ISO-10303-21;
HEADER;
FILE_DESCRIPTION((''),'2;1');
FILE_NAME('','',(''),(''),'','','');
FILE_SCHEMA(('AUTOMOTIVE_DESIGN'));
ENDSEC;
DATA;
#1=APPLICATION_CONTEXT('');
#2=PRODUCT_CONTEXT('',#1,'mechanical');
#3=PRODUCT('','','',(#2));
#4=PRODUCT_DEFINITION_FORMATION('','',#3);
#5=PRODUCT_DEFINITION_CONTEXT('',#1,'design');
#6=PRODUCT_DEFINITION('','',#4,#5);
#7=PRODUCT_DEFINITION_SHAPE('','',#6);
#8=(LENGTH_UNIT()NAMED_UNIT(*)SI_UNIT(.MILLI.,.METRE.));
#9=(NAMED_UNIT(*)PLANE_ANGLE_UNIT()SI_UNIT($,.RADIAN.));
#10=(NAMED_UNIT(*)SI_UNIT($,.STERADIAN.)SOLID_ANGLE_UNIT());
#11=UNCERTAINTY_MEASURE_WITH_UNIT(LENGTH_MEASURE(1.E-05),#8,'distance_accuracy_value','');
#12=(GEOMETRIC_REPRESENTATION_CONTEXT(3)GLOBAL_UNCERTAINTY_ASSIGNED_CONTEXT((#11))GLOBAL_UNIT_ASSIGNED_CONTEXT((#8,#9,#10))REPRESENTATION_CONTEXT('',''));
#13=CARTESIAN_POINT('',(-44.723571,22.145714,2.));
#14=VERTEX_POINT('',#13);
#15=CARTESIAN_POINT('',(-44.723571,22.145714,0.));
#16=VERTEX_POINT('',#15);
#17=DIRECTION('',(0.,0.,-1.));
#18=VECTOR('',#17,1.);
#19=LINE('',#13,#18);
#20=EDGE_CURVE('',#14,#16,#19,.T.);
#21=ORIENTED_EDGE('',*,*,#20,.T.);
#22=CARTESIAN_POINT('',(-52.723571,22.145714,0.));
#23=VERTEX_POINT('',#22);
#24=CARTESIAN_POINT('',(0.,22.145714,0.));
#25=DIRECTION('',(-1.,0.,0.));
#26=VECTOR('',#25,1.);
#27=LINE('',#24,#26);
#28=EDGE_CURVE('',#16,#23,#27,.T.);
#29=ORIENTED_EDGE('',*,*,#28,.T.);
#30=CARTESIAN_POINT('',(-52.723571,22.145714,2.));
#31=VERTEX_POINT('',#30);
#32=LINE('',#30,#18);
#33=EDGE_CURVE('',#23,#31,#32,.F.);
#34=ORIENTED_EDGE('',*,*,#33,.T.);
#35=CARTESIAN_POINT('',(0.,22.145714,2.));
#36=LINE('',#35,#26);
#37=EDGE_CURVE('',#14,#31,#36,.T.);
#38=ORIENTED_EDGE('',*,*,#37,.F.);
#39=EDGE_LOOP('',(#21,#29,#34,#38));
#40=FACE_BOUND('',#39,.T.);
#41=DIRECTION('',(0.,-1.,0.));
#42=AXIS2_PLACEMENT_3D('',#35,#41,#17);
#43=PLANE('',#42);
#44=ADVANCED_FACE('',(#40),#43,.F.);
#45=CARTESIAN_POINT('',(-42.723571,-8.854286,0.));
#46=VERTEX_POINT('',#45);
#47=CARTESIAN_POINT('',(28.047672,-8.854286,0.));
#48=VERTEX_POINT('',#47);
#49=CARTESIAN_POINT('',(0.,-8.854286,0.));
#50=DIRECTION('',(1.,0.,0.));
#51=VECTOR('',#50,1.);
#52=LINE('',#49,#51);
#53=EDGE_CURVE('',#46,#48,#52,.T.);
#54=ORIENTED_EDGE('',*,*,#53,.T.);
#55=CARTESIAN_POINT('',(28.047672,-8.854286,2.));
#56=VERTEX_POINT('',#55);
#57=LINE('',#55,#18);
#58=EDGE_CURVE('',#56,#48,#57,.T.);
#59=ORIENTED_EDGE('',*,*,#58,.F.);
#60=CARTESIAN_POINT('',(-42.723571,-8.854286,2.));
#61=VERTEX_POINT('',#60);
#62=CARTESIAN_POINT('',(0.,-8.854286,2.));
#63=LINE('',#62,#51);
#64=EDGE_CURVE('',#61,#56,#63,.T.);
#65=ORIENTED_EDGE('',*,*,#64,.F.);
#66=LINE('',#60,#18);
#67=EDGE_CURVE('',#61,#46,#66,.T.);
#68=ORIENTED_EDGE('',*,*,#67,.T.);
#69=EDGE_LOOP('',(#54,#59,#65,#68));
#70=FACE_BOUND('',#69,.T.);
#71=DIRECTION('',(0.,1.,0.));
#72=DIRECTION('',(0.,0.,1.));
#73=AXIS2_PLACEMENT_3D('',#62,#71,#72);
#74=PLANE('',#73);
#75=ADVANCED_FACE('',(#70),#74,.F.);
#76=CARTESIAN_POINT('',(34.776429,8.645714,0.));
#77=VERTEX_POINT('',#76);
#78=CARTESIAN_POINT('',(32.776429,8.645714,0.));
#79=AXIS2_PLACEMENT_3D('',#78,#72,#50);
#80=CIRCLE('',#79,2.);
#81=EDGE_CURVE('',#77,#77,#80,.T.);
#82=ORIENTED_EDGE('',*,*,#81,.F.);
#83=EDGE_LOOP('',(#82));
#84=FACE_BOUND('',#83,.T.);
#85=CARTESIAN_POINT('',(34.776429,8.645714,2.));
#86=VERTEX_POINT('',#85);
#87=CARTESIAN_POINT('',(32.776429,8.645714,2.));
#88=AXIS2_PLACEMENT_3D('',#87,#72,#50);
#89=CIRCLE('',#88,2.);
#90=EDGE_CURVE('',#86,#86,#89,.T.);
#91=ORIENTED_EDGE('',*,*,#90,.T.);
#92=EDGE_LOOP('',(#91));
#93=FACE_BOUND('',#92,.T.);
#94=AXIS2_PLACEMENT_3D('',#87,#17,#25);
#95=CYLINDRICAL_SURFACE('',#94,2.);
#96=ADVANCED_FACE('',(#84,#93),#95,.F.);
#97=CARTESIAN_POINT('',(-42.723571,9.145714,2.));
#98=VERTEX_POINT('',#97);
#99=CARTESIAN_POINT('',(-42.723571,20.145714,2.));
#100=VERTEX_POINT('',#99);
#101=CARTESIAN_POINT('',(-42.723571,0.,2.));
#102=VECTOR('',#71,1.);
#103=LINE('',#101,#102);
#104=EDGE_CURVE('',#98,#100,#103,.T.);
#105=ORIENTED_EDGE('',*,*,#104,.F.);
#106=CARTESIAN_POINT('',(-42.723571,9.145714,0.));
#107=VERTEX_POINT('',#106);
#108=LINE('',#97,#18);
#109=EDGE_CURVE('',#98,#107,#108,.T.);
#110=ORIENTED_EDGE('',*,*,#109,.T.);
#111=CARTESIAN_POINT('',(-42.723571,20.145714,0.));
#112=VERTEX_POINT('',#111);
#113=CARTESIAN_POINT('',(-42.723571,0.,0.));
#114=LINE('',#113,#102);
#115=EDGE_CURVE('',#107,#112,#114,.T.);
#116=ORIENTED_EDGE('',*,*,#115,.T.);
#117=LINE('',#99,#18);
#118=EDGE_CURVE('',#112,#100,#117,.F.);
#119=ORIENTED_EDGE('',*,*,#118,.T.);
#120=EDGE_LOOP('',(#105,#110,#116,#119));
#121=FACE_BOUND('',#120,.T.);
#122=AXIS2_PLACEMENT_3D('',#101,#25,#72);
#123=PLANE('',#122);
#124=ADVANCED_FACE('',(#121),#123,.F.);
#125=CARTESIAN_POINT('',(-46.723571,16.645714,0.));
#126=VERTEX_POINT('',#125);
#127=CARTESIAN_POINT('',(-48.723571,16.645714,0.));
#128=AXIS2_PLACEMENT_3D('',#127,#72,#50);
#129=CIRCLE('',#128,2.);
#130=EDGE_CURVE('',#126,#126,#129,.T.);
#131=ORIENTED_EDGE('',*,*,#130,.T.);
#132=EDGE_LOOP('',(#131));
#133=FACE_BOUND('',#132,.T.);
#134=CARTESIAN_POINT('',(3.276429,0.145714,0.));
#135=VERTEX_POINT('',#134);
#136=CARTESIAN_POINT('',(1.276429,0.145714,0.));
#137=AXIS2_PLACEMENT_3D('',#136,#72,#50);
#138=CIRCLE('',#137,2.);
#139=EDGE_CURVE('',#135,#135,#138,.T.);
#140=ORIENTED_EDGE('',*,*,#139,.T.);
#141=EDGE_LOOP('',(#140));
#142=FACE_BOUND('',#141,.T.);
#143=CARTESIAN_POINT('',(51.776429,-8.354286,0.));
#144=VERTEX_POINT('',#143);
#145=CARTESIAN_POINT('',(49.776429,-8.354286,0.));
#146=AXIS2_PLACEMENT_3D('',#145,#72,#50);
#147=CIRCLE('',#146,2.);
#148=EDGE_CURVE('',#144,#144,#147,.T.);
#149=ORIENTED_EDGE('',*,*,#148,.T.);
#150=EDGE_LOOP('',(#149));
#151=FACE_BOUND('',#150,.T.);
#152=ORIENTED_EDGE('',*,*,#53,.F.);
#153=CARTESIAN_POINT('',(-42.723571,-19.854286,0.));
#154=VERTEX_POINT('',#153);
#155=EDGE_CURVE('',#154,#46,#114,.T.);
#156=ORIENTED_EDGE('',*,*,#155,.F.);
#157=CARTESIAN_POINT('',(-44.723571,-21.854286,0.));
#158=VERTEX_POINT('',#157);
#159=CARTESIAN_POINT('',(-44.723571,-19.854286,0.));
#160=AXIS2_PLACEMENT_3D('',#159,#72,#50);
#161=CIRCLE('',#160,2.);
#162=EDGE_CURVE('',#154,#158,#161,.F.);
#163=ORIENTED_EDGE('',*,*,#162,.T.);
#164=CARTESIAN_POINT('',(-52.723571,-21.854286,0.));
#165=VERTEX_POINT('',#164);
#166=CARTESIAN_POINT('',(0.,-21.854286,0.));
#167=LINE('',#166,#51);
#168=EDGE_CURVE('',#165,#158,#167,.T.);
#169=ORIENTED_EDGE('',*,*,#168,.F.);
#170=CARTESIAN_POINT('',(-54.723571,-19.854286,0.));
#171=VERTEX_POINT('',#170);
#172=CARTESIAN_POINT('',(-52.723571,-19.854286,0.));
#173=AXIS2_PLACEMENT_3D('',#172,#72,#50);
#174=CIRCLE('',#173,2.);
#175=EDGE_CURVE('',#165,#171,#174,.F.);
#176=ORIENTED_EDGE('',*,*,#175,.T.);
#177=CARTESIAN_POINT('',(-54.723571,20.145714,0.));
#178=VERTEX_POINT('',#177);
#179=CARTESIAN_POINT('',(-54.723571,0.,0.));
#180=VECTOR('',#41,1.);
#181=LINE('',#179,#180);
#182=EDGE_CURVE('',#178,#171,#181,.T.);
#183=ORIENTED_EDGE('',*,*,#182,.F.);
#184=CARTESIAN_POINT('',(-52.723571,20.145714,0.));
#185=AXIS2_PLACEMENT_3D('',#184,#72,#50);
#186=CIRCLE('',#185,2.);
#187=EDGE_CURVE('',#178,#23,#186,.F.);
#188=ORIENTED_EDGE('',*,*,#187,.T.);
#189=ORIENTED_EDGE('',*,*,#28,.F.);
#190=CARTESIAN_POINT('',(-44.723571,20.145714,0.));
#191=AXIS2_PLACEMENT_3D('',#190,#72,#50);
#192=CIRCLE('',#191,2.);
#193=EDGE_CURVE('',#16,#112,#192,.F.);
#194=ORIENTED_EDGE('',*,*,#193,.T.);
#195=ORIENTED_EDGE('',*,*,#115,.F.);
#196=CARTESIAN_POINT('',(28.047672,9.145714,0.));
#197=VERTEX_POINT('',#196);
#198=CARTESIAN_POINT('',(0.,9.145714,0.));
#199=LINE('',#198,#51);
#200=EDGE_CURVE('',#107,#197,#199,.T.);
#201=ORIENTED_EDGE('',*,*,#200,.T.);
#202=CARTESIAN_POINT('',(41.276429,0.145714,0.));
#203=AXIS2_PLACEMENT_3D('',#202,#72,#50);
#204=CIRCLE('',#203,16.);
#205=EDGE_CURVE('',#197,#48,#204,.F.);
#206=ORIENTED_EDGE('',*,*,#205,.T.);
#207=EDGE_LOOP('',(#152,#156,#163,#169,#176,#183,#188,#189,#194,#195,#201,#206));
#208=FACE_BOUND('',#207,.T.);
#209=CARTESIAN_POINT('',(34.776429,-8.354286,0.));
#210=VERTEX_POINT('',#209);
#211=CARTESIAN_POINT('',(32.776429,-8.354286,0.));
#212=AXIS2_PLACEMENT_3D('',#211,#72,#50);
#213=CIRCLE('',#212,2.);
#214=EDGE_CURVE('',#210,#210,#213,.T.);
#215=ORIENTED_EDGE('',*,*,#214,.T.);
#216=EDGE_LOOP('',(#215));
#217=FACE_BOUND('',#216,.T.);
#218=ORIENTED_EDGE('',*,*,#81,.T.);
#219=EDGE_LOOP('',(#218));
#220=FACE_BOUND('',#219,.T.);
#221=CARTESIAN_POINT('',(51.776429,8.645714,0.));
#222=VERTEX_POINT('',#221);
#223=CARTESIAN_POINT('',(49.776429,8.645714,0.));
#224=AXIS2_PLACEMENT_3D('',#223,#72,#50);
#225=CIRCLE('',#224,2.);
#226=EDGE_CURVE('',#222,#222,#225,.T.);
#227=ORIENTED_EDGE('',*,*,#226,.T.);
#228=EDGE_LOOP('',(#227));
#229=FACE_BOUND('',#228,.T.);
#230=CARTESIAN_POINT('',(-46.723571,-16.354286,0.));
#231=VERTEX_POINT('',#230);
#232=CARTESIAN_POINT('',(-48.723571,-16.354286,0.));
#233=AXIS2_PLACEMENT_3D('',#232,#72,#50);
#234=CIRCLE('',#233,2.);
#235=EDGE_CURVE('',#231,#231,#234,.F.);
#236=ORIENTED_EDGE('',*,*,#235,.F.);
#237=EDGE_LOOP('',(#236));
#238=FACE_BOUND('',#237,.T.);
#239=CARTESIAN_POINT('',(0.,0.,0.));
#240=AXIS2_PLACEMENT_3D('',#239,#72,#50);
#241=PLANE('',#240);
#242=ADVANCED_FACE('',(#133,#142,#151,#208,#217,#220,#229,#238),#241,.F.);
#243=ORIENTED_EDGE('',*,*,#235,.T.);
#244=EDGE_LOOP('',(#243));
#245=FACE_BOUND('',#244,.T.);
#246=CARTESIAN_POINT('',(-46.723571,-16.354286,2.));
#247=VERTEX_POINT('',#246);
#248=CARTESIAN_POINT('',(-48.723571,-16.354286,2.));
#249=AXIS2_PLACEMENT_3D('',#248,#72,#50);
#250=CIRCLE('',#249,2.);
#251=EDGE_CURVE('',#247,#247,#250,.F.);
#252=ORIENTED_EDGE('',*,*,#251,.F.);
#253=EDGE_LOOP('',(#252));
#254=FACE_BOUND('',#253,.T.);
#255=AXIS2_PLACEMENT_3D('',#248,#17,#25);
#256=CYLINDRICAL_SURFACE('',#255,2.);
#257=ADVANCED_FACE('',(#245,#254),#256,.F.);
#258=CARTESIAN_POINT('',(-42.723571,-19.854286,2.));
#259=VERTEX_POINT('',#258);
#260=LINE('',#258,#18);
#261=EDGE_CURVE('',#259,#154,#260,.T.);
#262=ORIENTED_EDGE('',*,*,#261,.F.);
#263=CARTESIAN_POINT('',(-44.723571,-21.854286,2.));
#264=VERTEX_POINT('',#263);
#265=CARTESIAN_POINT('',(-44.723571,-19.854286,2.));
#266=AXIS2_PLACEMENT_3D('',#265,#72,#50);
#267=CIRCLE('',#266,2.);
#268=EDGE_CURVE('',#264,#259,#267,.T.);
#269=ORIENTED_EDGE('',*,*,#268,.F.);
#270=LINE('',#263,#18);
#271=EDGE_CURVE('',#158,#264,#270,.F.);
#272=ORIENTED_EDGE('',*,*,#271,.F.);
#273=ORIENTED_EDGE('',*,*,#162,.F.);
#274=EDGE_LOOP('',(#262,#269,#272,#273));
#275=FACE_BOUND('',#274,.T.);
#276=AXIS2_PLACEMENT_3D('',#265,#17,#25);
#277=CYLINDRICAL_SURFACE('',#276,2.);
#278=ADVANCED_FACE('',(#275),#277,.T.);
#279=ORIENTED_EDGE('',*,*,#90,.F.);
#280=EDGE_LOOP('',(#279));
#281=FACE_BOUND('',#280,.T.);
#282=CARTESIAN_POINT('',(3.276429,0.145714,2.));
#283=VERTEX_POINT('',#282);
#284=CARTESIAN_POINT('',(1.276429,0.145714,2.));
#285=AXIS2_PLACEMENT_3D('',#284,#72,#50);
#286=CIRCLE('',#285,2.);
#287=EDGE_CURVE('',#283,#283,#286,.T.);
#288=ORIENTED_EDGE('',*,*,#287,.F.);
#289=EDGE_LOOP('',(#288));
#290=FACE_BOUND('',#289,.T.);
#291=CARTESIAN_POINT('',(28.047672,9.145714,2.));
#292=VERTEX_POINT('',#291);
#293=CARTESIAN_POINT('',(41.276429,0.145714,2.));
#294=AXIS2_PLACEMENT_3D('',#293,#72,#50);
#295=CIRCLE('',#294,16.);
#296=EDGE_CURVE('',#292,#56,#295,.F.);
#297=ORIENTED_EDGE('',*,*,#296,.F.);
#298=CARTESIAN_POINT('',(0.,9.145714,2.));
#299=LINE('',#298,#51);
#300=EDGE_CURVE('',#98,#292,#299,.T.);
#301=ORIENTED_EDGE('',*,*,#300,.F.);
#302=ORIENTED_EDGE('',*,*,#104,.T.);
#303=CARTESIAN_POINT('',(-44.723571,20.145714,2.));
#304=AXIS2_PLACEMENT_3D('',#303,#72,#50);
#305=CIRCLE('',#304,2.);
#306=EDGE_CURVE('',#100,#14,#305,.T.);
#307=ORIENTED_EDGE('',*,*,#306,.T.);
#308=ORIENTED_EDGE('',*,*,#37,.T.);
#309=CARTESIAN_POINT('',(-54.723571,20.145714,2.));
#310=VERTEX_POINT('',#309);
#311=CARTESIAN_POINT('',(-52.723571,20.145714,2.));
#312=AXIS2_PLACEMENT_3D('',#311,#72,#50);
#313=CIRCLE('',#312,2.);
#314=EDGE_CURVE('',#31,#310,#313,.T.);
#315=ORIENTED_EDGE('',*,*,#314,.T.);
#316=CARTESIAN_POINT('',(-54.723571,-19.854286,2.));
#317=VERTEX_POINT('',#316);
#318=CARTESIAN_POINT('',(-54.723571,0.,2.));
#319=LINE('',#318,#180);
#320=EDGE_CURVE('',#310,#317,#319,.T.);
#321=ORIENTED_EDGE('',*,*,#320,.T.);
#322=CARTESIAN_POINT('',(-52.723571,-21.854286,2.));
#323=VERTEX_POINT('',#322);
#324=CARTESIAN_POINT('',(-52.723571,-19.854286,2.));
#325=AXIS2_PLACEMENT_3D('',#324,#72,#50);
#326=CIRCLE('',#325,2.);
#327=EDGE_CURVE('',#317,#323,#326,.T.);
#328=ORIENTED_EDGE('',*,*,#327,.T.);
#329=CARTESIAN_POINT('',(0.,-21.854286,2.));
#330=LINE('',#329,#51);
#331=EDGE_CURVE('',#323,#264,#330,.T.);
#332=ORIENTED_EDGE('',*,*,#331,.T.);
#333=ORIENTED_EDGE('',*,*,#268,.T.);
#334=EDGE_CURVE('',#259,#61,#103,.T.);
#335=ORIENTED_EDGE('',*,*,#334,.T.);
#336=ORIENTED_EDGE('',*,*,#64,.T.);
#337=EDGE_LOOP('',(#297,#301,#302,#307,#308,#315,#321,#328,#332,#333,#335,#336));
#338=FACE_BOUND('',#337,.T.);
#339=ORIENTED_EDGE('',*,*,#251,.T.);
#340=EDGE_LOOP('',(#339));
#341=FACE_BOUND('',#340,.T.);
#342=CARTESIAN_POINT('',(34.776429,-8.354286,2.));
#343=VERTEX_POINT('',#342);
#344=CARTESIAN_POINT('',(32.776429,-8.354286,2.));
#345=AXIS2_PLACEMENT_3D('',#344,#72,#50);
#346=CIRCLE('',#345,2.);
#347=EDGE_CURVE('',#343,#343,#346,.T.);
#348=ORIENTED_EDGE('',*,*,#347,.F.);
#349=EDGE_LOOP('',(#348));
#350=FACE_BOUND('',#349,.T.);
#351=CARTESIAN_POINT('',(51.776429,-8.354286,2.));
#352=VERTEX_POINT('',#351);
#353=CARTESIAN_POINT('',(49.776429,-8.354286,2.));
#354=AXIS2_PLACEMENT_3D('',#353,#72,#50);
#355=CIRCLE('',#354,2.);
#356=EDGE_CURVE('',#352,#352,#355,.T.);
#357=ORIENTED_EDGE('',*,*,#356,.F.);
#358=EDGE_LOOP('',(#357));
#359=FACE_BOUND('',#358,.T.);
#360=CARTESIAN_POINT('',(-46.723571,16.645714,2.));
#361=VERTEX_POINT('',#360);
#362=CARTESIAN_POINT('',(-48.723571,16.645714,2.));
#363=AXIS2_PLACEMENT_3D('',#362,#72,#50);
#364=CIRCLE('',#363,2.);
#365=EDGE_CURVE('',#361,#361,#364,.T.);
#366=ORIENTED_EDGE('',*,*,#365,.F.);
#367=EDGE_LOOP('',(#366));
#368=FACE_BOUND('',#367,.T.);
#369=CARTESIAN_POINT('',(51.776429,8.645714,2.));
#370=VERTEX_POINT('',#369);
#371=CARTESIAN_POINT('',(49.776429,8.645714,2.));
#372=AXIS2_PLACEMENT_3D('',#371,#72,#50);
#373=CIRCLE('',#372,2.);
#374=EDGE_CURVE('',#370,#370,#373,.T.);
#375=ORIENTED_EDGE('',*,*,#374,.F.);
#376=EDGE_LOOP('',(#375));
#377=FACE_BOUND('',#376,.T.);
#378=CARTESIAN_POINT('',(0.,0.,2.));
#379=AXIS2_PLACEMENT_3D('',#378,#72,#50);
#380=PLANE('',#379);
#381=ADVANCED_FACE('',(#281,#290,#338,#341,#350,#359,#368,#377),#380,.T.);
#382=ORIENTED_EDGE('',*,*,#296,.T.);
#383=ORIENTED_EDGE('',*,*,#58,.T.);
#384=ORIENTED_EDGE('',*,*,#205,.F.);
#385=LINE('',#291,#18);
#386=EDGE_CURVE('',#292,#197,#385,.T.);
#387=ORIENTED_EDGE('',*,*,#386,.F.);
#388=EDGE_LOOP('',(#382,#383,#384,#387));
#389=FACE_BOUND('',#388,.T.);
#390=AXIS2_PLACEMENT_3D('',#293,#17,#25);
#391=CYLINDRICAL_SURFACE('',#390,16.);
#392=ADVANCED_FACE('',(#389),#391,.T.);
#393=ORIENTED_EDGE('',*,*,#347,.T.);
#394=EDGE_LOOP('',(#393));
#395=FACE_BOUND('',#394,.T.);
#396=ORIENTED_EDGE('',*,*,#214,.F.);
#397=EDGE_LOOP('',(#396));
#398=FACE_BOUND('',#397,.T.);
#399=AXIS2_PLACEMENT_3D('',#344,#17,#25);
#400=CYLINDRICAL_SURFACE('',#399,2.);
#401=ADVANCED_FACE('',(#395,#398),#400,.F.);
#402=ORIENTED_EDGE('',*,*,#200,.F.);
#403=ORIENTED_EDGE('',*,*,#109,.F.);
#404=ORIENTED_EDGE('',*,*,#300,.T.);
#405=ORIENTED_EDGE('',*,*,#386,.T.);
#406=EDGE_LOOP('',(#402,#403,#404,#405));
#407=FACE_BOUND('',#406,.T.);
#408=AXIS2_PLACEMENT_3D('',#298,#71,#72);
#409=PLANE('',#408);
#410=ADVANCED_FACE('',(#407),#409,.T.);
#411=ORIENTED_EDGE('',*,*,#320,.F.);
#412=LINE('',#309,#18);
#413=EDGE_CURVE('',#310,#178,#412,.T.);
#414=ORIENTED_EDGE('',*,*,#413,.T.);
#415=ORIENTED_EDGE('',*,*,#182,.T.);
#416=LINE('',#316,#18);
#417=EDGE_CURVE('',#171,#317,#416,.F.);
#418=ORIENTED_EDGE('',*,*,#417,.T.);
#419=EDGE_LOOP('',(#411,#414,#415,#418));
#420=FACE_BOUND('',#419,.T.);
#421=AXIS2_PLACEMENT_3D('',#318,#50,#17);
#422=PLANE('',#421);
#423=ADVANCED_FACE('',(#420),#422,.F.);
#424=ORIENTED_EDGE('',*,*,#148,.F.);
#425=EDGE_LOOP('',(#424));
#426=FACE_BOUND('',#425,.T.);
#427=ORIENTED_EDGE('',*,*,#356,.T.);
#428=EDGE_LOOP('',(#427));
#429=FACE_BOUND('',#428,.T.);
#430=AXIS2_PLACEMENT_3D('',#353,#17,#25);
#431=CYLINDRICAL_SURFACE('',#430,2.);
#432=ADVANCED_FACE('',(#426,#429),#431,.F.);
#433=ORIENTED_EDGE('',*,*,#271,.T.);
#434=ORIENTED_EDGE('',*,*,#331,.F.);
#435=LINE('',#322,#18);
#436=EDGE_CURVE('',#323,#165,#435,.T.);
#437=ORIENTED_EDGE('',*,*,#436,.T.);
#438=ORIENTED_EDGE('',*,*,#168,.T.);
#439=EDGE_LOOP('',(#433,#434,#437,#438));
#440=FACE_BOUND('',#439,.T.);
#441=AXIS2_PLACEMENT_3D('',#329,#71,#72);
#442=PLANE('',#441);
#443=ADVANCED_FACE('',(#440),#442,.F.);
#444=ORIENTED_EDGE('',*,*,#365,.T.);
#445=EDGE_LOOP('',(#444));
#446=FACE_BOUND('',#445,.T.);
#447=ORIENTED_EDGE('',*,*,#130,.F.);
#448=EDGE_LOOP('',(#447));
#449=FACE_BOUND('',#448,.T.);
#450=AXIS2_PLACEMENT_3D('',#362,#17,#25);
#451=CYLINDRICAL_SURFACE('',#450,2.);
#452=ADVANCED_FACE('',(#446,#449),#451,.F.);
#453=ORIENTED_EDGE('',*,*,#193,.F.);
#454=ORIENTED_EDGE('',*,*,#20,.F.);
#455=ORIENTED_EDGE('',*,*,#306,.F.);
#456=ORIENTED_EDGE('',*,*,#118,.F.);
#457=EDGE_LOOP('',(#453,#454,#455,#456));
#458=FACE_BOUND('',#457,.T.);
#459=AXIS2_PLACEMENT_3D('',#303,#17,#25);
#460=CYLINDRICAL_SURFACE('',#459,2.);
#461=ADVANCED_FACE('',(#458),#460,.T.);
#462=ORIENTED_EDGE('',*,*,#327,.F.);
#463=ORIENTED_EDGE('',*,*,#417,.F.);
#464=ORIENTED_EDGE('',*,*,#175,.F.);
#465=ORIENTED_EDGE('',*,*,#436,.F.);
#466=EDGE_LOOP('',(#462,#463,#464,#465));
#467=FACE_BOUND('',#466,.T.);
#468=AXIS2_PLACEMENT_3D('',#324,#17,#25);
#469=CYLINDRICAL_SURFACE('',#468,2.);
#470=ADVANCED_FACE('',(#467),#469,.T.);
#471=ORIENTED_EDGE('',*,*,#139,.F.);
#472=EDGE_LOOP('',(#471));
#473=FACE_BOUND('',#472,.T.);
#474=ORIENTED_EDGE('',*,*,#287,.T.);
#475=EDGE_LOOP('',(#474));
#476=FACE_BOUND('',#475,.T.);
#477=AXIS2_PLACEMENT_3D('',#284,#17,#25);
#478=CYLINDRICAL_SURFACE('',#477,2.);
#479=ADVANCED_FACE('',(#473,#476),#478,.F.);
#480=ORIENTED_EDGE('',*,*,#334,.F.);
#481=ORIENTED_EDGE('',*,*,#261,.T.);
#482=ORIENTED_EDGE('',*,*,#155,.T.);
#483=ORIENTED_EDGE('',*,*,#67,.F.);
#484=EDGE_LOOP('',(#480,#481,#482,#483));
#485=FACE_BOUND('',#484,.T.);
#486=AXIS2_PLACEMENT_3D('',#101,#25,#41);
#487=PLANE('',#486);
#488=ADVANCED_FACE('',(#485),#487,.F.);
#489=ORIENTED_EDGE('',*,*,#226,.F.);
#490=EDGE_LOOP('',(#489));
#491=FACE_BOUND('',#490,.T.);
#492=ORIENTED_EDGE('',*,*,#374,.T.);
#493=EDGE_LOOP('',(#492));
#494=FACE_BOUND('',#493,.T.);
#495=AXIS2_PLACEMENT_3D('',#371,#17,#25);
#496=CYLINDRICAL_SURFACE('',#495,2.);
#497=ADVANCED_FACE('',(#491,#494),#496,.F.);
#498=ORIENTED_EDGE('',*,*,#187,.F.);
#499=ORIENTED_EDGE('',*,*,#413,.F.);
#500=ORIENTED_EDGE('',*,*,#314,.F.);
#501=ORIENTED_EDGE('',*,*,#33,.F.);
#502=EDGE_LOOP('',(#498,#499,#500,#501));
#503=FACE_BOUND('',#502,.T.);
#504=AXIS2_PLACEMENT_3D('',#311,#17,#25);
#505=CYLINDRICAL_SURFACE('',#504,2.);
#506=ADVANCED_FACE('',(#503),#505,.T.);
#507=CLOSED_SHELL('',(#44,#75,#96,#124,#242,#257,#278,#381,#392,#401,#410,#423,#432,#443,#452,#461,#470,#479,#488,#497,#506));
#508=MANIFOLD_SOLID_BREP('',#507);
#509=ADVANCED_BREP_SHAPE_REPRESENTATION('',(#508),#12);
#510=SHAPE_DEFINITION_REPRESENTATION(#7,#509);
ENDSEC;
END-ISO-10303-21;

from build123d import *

# Parameters (mm, degrees)
SKETCH_1_R      = 2
EXTRUDE_1_DEPTH = 2
FILLET_1_R      = 2


with BuildPart() as part:
    # 草图1 → 凸台-拉伸1 (new body)
    with BuildSketch(Plane.XY):
        with BuildLine():
            Line((-42.723571429, 9.145714286), (-42.723571429, 22.145714286))
            Line((-42.723571429, 22.145714286), (-54.723571429, 22.145714286))
            Line((-54.723571429, 22.145714286), (-54.723571429, -21.854285714))
            Line((-54.723571429, -21.854285714), (-42.723571429, -21.854285714))
            Line((-42.723571429, -21.854285714), (-42.723571429, -8.854285714))
            Line((-42.723571429, -8.854285714), (28.047672016, -8.854285714))
            ThreePointArc((28.047672016, -8.854285714), (57.276428571, 0.145714286), (28.047672016, 9.145714286))
            Line((28.047672016, 9.145714286), (-42.723571429, 9.145714286))
        make_face()
        with Locations((1.276428571, 0.145714286)):
            Circle(SKETCH_1_R, mode=Mode.SUBTRACT)
        with Locations((-48.723571429, 16.645714286)):
            Circle(SKETCH_1_R, mode=Mode.SUBTRACT)
        with Locations((-48.723571429, -16.354285714)):
            Circle(SKETCH_1_R, mode=Mode.SUBTRACT)
        with Locations((49.776428571, -8.354285714)):
            Circle(SKETCH_1_R, mode=Mode.SUBTRACT)
        with Locations((32.776428571, -8.354285714)):
            Circle(SKETCH_1_R, mode=Mode.SUBTRACT)
        with Locations((32.776428571, 8.645714286)):
            Circle(SKETCH_1_R, mode=Mode.SUBTRACT)
        with Locations((49.776428571, 8.645714286)):
            Circle(SKETCH_1_R, mode=Mode.SUBTRACT)
    extrude(amount=EXTRUDE_1_DEPTH)

    # 圆角1
    fillet_1_edges = [part.edges().sort_by_distance(p)[0] for p in [
        (-42.723571429, -21.854285714, 1),
        (-54.723571429, -21.854285714, 1),
        (-54.723571429, 22.145714286, 1),
        (-42.723571429, 22.145714286, 1),
    ]]
    fillet(fillet_1_edges, radius=FILLET_1_R)


solid = part.part
